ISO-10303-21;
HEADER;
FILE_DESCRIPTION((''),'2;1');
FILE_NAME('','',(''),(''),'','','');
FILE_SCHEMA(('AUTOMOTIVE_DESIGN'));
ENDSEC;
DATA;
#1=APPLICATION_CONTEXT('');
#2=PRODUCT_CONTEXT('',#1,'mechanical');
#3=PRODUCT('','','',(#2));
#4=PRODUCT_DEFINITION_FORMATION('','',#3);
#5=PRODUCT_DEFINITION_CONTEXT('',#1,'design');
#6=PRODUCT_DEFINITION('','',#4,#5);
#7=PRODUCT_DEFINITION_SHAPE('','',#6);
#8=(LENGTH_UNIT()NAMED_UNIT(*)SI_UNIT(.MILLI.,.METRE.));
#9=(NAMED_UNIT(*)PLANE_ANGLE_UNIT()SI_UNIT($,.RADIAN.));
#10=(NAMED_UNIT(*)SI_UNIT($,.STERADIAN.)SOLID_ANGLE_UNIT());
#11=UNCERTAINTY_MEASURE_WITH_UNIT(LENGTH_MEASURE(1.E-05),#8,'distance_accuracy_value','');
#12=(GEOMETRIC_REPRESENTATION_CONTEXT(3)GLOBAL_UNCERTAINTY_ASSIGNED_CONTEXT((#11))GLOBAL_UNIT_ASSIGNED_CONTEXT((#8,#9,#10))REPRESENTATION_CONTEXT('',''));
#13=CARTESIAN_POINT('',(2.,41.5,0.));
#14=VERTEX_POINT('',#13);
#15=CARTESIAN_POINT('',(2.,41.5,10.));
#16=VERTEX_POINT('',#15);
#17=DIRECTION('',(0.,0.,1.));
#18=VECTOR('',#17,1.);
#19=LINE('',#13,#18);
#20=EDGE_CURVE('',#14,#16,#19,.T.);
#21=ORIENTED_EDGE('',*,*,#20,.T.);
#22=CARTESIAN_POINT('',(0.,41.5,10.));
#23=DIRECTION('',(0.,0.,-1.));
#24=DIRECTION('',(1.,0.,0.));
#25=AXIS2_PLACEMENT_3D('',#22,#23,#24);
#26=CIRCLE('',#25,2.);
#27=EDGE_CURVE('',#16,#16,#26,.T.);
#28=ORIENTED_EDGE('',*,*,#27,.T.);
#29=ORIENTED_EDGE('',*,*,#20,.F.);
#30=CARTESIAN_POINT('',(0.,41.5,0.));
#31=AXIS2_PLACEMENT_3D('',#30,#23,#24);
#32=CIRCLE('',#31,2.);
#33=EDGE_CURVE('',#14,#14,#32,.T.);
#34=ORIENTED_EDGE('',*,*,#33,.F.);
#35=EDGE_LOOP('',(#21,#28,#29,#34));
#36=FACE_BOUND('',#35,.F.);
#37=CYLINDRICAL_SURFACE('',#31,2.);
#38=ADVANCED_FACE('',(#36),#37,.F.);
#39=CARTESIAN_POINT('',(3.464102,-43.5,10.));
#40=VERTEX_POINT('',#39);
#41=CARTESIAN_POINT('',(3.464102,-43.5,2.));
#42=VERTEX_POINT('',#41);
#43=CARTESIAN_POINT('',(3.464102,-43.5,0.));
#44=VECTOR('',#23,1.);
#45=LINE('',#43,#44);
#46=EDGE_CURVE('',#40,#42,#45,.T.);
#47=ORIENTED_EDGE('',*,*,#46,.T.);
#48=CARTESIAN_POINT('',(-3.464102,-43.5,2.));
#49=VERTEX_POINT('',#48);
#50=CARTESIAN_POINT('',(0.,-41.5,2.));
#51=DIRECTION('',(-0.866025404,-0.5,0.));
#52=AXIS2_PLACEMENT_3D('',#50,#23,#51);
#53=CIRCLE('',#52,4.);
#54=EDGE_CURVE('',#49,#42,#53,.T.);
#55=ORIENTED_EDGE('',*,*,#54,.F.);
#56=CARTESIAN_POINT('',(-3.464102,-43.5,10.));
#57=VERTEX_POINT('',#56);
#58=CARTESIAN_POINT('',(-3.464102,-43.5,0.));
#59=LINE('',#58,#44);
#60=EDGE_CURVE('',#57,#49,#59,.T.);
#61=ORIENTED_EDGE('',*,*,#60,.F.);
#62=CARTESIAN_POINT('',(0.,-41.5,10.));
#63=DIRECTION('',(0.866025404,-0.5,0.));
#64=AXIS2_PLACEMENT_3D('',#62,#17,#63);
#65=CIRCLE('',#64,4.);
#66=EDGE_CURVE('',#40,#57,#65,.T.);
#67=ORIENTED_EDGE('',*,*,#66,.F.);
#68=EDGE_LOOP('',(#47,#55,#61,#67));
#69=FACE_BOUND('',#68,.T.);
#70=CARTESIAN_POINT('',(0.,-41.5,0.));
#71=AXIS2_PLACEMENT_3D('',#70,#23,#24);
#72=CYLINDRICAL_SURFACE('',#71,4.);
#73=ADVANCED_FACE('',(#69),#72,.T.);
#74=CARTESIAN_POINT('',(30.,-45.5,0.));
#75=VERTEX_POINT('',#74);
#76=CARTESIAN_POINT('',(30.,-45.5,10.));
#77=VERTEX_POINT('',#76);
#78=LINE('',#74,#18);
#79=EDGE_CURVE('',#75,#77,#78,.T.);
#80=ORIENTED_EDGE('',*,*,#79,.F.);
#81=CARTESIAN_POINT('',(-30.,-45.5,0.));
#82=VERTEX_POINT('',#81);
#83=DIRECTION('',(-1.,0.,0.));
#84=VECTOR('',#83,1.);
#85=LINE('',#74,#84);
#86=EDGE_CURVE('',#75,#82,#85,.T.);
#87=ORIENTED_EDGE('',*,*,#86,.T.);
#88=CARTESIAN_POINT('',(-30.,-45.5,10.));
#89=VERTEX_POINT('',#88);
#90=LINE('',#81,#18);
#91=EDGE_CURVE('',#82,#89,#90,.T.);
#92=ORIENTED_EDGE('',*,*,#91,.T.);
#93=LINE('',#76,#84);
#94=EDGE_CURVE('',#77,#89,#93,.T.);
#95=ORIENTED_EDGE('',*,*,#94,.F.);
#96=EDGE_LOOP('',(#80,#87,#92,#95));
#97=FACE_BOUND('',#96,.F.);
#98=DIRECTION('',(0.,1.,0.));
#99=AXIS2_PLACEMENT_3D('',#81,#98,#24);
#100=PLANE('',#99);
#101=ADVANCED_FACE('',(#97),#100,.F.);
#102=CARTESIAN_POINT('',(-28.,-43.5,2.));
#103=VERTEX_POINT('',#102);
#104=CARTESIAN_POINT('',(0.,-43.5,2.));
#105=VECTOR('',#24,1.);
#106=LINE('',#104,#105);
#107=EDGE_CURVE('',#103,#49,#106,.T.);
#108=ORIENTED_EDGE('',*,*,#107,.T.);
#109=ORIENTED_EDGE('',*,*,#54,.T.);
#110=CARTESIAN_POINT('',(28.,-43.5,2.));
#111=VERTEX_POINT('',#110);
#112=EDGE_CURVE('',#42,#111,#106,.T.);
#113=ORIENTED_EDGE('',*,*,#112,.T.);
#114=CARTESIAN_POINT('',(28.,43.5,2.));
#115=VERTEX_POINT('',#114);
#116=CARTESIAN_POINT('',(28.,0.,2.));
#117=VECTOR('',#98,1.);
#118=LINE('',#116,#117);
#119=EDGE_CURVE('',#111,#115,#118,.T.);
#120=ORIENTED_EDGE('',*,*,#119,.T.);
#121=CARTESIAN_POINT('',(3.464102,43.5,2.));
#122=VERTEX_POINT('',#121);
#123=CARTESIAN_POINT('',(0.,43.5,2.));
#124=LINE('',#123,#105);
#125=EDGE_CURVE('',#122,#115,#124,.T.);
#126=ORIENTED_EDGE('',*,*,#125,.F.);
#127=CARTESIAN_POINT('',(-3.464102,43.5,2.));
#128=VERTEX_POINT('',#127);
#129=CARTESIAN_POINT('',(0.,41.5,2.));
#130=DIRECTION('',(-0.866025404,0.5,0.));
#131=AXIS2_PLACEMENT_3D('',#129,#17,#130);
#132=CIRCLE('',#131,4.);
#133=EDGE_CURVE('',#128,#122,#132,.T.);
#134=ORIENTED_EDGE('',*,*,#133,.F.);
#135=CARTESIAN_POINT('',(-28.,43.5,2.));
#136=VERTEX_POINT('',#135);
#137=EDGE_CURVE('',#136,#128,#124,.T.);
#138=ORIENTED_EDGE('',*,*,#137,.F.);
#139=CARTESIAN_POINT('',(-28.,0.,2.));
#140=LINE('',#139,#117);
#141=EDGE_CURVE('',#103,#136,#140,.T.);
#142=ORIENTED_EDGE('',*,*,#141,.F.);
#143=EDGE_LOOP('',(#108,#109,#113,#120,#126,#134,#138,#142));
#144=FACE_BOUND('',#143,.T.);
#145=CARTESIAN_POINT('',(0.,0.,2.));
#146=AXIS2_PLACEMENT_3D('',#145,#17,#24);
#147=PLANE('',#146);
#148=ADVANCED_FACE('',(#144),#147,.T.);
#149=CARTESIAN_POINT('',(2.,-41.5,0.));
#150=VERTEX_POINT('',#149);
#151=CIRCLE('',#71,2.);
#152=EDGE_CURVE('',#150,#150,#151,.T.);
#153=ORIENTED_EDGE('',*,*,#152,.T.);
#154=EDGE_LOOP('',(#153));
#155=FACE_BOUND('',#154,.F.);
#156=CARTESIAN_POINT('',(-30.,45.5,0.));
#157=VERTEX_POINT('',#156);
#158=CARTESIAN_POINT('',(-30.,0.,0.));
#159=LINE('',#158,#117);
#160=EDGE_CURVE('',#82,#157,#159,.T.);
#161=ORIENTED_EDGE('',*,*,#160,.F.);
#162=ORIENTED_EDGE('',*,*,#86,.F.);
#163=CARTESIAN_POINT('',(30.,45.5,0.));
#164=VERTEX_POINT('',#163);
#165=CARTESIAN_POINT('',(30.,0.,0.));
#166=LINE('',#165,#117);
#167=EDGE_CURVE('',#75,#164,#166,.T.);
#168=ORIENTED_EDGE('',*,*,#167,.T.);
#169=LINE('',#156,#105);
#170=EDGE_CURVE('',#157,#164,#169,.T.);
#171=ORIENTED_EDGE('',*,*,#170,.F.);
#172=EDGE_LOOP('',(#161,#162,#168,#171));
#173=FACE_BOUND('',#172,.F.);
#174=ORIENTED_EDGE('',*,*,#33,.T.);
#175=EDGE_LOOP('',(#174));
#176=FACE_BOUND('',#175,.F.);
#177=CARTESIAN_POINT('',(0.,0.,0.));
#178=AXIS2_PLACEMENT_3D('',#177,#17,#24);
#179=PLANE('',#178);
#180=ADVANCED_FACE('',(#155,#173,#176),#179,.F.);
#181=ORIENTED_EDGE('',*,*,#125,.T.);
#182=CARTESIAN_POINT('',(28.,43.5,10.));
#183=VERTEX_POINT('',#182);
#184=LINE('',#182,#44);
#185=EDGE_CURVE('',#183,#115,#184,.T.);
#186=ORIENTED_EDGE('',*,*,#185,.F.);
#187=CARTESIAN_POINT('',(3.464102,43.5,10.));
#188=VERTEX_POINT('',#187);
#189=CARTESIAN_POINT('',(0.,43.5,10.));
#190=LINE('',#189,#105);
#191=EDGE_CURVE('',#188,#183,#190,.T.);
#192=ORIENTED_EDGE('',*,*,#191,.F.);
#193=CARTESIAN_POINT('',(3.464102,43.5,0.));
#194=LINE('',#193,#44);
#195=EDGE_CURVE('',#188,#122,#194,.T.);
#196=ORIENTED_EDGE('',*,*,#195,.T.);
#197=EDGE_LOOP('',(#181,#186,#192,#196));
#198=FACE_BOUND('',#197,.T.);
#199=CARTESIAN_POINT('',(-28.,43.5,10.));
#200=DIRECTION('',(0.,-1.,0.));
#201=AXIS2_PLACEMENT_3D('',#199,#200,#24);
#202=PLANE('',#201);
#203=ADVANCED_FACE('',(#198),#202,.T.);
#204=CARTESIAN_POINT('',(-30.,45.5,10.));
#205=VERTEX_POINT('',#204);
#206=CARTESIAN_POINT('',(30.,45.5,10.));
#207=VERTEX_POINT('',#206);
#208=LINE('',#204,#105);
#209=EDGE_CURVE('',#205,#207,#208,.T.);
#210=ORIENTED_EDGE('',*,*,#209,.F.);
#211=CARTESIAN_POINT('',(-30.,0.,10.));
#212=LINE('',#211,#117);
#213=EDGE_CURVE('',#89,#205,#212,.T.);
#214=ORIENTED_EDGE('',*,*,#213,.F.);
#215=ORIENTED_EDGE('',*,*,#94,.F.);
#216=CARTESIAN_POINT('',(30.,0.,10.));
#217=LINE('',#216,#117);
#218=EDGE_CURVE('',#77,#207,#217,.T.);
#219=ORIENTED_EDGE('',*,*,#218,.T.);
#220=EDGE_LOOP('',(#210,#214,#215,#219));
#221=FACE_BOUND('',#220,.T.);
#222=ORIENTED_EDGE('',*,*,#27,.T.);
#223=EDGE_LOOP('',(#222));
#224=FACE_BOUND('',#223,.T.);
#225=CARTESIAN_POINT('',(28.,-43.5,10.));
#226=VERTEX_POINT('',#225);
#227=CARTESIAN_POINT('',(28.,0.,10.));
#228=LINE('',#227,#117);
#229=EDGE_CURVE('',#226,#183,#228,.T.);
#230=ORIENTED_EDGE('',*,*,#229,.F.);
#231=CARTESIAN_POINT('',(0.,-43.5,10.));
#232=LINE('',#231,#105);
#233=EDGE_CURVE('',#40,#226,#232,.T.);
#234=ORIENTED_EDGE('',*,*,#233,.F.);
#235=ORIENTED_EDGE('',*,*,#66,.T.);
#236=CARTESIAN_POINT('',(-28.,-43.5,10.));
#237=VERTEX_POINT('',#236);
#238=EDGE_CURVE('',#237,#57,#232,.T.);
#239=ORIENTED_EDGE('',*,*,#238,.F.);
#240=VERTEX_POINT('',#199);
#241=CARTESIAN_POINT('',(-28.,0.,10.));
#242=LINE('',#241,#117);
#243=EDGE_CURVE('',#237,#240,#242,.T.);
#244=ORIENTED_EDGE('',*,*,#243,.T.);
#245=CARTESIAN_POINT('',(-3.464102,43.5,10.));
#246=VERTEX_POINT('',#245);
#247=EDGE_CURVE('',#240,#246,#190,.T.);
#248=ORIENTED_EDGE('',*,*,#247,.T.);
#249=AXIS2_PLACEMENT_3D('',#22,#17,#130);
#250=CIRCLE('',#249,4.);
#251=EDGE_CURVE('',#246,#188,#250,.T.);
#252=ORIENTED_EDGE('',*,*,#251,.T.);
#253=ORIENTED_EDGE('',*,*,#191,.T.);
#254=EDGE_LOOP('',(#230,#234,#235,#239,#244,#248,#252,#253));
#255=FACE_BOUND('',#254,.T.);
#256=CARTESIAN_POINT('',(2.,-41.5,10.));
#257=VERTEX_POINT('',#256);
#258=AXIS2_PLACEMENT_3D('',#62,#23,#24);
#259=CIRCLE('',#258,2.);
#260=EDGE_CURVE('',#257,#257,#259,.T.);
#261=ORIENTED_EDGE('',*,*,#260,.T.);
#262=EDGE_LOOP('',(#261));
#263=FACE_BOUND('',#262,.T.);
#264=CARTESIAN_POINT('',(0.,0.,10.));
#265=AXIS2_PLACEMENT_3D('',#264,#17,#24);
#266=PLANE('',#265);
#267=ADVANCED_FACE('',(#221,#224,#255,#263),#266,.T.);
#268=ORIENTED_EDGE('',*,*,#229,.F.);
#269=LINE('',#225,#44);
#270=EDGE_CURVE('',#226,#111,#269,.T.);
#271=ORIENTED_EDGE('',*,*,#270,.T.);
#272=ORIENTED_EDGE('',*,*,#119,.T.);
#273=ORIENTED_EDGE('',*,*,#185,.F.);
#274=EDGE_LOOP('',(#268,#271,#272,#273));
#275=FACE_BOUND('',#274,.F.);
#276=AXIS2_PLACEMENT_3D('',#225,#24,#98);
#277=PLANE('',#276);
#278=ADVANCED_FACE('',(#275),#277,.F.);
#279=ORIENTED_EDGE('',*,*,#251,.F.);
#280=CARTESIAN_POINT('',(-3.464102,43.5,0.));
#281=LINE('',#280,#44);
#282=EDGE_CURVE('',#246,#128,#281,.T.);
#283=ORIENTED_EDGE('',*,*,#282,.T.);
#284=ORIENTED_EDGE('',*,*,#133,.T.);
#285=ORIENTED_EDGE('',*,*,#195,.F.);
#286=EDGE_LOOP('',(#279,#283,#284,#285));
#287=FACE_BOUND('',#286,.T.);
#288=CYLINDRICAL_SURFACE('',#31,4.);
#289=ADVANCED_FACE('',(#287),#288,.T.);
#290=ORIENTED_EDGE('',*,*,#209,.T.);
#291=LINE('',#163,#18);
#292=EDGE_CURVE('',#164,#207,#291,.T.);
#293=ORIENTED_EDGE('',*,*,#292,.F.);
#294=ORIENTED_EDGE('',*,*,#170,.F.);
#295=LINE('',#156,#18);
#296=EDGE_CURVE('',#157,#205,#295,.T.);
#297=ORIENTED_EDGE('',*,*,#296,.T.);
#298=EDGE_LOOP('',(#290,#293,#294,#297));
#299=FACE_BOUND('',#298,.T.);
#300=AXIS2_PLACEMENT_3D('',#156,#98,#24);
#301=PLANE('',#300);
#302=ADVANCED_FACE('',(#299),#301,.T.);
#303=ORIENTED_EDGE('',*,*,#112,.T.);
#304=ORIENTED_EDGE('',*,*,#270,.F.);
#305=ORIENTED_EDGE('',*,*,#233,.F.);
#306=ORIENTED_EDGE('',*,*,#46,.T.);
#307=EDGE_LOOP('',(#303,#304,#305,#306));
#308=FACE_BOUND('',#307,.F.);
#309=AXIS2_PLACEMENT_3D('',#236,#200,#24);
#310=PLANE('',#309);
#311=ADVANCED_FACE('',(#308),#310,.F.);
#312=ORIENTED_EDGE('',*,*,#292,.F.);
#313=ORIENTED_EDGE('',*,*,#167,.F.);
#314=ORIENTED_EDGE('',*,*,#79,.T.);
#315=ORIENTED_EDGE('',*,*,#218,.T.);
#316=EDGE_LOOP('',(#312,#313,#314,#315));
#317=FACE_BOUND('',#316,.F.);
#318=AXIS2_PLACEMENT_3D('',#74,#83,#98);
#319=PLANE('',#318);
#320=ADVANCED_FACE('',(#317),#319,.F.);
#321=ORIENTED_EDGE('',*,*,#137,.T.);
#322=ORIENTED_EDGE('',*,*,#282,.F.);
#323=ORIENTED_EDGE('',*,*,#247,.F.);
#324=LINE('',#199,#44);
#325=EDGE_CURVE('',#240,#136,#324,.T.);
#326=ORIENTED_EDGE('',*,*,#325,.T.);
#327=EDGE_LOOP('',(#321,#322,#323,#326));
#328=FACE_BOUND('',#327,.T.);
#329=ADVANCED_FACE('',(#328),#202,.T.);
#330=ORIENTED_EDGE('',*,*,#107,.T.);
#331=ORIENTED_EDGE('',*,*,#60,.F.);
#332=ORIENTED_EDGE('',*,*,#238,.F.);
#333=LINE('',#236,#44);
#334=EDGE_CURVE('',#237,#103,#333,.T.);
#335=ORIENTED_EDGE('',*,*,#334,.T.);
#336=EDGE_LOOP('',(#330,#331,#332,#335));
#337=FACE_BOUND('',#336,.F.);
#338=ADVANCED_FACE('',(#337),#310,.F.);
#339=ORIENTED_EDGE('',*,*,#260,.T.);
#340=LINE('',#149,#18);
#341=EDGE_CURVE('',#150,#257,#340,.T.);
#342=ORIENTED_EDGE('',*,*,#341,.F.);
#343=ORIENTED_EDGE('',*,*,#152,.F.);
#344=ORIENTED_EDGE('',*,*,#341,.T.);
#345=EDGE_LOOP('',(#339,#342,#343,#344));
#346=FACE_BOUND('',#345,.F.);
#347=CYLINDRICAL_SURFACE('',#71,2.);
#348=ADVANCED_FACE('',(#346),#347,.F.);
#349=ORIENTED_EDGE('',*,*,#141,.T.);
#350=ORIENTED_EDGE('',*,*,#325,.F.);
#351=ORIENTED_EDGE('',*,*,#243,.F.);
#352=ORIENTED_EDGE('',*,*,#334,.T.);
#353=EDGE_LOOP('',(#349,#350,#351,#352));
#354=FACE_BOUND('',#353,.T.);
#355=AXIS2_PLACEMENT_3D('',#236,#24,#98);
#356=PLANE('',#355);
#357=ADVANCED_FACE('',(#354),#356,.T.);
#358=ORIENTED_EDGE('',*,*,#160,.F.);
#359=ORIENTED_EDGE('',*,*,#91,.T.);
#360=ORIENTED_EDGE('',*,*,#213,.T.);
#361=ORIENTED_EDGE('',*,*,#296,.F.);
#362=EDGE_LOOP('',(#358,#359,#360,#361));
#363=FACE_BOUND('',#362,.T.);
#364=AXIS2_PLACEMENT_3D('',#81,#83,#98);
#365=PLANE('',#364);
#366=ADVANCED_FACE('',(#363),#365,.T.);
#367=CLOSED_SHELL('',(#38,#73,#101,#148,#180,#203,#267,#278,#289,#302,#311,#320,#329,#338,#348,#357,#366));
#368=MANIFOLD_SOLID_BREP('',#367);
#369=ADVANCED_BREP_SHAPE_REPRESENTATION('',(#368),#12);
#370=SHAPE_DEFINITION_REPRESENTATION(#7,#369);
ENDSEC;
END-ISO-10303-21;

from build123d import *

# Parameters (mm, degrees)
F2_W     = 60
F2_H     = 91
F3_DEPTH = 10
F4_W     = 56
F4_H     = 87
F5_DEPTH = 8
F6_R     = 4
F7_DEPTH = 10
F8_R     = 2
F9_DEPTH = 10.001


with BuildPart() as f3:
    # F2 (on Top) → F3 (new body)
    with BuildSketch(Plane.XY):
        Rectangle(F2_W, F2_H)
    extrude(amount=F3_DEPTH)

    # F4 (on face) → F5 (cut)
    with BuildSketch(Plane.XY.offset(10)):
        Rectangle(F4_W, F4_H)
    extrude(amount=-F5_DEPTH, mode=Mode.SUBTRACT)

    # F6 (on face) → F7 (join)
    with BuildSketch(Plane(origin=(0, 0, 0), x_dir=(1, 0, 0), z_dir=(0, 0, -1))):
        with Locations((0, -41.5)):
            Circle(F6_R)
        with Locations((0, 41.5)):
            Circle(F6_R)
    extrude(amount=-F7_DEPTH)

    # F8 (on face) → F9 (cut, through all)
    with BuildSketch(Plane(origin=(0, 0, 0), x_dir=(1, 0, 0), z_dir=(0, 0, -1))):
        with Locations((0, -41.5)):
            Circle(F8_R)
        with Locations((0, 41.5)):
            Circle(F8_R)
    extrude(amount=-F9_DEPTH, mode=Mode.SUBTRACT)


solid = f3.part
